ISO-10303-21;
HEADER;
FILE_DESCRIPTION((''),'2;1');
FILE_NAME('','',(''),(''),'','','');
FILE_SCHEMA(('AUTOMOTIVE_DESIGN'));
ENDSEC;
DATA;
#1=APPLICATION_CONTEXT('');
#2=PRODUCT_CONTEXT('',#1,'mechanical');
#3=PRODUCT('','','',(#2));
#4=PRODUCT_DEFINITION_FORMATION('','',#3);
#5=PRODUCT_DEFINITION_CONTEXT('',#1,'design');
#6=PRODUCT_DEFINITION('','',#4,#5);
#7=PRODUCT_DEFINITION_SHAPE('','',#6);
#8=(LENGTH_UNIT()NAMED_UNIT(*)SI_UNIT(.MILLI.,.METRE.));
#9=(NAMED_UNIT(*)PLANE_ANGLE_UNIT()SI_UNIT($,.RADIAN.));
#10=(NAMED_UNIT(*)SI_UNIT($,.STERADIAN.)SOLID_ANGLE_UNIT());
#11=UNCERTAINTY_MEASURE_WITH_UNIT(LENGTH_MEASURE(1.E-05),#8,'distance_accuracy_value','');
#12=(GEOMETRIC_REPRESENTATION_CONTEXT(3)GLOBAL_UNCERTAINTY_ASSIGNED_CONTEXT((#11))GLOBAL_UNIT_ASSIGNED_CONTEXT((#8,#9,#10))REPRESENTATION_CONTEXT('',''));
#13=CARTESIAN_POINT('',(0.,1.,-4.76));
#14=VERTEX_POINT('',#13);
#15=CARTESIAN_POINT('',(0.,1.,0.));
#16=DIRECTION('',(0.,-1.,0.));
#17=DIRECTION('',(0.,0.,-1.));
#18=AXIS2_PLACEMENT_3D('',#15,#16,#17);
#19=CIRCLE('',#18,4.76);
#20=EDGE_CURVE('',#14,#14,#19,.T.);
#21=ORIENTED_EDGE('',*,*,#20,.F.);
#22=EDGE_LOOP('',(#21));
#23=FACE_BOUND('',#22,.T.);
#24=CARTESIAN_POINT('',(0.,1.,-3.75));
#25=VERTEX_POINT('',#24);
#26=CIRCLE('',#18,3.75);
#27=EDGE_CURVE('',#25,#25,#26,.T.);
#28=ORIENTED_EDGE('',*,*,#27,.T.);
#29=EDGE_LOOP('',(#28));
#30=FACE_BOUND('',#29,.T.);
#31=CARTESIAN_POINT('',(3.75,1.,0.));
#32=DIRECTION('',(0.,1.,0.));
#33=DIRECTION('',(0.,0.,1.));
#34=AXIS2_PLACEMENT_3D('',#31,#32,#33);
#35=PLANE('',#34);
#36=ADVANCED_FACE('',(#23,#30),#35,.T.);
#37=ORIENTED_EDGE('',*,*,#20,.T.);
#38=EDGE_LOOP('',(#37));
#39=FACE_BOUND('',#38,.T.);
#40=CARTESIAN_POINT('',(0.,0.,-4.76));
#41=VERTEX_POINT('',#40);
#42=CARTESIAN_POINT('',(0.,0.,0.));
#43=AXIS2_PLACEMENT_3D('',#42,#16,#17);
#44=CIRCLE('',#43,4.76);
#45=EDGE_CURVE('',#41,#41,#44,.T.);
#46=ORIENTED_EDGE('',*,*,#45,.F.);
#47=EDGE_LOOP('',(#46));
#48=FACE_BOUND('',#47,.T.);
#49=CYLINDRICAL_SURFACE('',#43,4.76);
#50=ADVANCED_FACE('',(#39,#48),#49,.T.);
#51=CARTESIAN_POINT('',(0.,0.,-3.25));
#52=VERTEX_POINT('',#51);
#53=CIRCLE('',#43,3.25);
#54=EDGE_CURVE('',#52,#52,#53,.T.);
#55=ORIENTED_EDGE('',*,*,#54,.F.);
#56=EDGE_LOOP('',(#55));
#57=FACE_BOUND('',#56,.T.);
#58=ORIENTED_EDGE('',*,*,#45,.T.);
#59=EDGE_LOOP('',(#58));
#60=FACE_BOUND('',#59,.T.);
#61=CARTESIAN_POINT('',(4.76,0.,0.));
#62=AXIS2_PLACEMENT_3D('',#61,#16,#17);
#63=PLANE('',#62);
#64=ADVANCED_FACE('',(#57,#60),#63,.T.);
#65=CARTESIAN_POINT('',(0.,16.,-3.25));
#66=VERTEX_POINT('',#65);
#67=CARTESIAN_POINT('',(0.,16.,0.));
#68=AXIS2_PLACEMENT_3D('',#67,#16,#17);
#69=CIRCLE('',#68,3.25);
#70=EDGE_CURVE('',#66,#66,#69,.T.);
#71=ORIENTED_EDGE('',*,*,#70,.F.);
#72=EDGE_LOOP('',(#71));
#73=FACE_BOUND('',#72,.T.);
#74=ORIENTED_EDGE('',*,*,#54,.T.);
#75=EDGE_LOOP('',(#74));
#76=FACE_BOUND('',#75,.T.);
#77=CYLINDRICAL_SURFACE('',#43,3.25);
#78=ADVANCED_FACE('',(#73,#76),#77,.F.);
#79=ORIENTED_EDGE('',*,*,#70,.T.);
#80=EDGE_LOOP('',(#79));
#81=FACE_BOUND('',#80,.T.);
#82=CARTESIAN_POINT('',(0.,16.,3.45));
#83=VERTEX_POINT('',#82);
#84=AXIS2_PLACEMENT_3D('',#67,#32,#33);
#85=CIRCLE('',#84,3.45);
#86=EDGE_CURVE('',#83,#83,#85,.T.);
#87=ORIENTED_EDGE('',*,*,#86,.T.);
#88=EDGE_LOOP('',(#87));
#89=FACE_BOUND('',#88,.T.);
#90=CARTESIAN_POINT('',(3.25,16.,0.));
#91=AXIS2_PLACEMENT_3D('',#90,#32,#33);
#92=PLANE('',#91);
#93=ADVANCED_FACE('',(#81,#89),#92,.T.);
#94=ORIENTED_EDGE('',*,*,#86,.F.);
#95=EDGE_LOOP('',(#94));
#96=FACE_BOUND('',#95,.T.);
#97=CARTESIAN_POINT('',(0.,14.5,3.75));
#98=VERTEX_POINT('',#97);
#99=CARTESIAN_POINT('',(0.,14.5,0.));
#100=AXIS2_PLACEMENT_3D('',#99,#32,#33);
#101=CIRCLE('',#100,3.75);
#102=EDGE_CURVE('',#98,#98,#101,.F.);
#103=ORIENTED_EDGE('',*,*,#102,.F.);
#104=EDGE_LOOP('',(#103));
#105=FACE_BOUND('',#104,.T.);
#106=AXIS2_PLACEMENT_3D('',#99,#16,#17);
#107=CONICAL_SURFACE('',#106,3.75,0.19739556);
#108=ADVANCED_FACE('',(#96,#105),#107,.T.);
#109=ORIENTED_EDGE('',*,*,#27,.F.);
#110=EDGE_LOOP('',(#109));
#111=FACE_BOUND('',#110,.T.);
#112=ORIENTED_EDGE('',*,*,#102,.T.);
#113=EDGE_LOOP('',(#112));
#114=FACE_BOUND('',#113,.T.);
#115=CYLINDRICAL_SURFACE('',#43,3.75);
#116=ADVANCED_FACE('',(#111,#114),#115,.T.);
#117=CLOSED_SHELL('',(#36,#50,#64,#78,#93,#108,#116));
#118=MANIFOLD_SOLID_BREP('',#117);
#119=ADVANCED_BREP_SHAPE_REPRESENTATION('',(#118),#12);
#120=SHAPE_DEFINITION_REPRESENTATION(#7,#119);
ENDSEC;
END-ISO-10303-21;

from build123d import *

# Parameters (mm, degrees)
CHAMFER_1_SIZE  = 0.3
CHAMFER_1_SIZE2 = 1.5


with BuildPart() as part:
    # 草图1 → 旋转1 (revolve)
    with BuildSketch(Plane.XY, mode=Mode.PRIVATE) as revolve_1_sk:
        Polygon((3.25, 16), (3.75, 16), (3.75, 1), (4.76, 1), (4.76, 0), (3.25, 0), align=None)
    revolve(revolve_1_sk.sketch.rotate(Axis((0, 0, 0), (0, 1, 0)), 90), axis=Axis((0, 0, 0), (0, 1, 0)))

    # 倒角1
    chamfer_1_edges = [part.edges().sort_by_distance(p)[0] for p in [
        (0, 16, 3.75),
    ]]
    chamfer_1_side = [part.faces().sort_by_distance(p)[0] for p in [
        (0, 16, 3.356066017),
    ]]
    chamfer(chamfer_1_edges, length=CHAMFER_1_SIZE, length2=CHAMFER_1_SIZE2, reference=chamfer_1_side[0])


solid = part.part
